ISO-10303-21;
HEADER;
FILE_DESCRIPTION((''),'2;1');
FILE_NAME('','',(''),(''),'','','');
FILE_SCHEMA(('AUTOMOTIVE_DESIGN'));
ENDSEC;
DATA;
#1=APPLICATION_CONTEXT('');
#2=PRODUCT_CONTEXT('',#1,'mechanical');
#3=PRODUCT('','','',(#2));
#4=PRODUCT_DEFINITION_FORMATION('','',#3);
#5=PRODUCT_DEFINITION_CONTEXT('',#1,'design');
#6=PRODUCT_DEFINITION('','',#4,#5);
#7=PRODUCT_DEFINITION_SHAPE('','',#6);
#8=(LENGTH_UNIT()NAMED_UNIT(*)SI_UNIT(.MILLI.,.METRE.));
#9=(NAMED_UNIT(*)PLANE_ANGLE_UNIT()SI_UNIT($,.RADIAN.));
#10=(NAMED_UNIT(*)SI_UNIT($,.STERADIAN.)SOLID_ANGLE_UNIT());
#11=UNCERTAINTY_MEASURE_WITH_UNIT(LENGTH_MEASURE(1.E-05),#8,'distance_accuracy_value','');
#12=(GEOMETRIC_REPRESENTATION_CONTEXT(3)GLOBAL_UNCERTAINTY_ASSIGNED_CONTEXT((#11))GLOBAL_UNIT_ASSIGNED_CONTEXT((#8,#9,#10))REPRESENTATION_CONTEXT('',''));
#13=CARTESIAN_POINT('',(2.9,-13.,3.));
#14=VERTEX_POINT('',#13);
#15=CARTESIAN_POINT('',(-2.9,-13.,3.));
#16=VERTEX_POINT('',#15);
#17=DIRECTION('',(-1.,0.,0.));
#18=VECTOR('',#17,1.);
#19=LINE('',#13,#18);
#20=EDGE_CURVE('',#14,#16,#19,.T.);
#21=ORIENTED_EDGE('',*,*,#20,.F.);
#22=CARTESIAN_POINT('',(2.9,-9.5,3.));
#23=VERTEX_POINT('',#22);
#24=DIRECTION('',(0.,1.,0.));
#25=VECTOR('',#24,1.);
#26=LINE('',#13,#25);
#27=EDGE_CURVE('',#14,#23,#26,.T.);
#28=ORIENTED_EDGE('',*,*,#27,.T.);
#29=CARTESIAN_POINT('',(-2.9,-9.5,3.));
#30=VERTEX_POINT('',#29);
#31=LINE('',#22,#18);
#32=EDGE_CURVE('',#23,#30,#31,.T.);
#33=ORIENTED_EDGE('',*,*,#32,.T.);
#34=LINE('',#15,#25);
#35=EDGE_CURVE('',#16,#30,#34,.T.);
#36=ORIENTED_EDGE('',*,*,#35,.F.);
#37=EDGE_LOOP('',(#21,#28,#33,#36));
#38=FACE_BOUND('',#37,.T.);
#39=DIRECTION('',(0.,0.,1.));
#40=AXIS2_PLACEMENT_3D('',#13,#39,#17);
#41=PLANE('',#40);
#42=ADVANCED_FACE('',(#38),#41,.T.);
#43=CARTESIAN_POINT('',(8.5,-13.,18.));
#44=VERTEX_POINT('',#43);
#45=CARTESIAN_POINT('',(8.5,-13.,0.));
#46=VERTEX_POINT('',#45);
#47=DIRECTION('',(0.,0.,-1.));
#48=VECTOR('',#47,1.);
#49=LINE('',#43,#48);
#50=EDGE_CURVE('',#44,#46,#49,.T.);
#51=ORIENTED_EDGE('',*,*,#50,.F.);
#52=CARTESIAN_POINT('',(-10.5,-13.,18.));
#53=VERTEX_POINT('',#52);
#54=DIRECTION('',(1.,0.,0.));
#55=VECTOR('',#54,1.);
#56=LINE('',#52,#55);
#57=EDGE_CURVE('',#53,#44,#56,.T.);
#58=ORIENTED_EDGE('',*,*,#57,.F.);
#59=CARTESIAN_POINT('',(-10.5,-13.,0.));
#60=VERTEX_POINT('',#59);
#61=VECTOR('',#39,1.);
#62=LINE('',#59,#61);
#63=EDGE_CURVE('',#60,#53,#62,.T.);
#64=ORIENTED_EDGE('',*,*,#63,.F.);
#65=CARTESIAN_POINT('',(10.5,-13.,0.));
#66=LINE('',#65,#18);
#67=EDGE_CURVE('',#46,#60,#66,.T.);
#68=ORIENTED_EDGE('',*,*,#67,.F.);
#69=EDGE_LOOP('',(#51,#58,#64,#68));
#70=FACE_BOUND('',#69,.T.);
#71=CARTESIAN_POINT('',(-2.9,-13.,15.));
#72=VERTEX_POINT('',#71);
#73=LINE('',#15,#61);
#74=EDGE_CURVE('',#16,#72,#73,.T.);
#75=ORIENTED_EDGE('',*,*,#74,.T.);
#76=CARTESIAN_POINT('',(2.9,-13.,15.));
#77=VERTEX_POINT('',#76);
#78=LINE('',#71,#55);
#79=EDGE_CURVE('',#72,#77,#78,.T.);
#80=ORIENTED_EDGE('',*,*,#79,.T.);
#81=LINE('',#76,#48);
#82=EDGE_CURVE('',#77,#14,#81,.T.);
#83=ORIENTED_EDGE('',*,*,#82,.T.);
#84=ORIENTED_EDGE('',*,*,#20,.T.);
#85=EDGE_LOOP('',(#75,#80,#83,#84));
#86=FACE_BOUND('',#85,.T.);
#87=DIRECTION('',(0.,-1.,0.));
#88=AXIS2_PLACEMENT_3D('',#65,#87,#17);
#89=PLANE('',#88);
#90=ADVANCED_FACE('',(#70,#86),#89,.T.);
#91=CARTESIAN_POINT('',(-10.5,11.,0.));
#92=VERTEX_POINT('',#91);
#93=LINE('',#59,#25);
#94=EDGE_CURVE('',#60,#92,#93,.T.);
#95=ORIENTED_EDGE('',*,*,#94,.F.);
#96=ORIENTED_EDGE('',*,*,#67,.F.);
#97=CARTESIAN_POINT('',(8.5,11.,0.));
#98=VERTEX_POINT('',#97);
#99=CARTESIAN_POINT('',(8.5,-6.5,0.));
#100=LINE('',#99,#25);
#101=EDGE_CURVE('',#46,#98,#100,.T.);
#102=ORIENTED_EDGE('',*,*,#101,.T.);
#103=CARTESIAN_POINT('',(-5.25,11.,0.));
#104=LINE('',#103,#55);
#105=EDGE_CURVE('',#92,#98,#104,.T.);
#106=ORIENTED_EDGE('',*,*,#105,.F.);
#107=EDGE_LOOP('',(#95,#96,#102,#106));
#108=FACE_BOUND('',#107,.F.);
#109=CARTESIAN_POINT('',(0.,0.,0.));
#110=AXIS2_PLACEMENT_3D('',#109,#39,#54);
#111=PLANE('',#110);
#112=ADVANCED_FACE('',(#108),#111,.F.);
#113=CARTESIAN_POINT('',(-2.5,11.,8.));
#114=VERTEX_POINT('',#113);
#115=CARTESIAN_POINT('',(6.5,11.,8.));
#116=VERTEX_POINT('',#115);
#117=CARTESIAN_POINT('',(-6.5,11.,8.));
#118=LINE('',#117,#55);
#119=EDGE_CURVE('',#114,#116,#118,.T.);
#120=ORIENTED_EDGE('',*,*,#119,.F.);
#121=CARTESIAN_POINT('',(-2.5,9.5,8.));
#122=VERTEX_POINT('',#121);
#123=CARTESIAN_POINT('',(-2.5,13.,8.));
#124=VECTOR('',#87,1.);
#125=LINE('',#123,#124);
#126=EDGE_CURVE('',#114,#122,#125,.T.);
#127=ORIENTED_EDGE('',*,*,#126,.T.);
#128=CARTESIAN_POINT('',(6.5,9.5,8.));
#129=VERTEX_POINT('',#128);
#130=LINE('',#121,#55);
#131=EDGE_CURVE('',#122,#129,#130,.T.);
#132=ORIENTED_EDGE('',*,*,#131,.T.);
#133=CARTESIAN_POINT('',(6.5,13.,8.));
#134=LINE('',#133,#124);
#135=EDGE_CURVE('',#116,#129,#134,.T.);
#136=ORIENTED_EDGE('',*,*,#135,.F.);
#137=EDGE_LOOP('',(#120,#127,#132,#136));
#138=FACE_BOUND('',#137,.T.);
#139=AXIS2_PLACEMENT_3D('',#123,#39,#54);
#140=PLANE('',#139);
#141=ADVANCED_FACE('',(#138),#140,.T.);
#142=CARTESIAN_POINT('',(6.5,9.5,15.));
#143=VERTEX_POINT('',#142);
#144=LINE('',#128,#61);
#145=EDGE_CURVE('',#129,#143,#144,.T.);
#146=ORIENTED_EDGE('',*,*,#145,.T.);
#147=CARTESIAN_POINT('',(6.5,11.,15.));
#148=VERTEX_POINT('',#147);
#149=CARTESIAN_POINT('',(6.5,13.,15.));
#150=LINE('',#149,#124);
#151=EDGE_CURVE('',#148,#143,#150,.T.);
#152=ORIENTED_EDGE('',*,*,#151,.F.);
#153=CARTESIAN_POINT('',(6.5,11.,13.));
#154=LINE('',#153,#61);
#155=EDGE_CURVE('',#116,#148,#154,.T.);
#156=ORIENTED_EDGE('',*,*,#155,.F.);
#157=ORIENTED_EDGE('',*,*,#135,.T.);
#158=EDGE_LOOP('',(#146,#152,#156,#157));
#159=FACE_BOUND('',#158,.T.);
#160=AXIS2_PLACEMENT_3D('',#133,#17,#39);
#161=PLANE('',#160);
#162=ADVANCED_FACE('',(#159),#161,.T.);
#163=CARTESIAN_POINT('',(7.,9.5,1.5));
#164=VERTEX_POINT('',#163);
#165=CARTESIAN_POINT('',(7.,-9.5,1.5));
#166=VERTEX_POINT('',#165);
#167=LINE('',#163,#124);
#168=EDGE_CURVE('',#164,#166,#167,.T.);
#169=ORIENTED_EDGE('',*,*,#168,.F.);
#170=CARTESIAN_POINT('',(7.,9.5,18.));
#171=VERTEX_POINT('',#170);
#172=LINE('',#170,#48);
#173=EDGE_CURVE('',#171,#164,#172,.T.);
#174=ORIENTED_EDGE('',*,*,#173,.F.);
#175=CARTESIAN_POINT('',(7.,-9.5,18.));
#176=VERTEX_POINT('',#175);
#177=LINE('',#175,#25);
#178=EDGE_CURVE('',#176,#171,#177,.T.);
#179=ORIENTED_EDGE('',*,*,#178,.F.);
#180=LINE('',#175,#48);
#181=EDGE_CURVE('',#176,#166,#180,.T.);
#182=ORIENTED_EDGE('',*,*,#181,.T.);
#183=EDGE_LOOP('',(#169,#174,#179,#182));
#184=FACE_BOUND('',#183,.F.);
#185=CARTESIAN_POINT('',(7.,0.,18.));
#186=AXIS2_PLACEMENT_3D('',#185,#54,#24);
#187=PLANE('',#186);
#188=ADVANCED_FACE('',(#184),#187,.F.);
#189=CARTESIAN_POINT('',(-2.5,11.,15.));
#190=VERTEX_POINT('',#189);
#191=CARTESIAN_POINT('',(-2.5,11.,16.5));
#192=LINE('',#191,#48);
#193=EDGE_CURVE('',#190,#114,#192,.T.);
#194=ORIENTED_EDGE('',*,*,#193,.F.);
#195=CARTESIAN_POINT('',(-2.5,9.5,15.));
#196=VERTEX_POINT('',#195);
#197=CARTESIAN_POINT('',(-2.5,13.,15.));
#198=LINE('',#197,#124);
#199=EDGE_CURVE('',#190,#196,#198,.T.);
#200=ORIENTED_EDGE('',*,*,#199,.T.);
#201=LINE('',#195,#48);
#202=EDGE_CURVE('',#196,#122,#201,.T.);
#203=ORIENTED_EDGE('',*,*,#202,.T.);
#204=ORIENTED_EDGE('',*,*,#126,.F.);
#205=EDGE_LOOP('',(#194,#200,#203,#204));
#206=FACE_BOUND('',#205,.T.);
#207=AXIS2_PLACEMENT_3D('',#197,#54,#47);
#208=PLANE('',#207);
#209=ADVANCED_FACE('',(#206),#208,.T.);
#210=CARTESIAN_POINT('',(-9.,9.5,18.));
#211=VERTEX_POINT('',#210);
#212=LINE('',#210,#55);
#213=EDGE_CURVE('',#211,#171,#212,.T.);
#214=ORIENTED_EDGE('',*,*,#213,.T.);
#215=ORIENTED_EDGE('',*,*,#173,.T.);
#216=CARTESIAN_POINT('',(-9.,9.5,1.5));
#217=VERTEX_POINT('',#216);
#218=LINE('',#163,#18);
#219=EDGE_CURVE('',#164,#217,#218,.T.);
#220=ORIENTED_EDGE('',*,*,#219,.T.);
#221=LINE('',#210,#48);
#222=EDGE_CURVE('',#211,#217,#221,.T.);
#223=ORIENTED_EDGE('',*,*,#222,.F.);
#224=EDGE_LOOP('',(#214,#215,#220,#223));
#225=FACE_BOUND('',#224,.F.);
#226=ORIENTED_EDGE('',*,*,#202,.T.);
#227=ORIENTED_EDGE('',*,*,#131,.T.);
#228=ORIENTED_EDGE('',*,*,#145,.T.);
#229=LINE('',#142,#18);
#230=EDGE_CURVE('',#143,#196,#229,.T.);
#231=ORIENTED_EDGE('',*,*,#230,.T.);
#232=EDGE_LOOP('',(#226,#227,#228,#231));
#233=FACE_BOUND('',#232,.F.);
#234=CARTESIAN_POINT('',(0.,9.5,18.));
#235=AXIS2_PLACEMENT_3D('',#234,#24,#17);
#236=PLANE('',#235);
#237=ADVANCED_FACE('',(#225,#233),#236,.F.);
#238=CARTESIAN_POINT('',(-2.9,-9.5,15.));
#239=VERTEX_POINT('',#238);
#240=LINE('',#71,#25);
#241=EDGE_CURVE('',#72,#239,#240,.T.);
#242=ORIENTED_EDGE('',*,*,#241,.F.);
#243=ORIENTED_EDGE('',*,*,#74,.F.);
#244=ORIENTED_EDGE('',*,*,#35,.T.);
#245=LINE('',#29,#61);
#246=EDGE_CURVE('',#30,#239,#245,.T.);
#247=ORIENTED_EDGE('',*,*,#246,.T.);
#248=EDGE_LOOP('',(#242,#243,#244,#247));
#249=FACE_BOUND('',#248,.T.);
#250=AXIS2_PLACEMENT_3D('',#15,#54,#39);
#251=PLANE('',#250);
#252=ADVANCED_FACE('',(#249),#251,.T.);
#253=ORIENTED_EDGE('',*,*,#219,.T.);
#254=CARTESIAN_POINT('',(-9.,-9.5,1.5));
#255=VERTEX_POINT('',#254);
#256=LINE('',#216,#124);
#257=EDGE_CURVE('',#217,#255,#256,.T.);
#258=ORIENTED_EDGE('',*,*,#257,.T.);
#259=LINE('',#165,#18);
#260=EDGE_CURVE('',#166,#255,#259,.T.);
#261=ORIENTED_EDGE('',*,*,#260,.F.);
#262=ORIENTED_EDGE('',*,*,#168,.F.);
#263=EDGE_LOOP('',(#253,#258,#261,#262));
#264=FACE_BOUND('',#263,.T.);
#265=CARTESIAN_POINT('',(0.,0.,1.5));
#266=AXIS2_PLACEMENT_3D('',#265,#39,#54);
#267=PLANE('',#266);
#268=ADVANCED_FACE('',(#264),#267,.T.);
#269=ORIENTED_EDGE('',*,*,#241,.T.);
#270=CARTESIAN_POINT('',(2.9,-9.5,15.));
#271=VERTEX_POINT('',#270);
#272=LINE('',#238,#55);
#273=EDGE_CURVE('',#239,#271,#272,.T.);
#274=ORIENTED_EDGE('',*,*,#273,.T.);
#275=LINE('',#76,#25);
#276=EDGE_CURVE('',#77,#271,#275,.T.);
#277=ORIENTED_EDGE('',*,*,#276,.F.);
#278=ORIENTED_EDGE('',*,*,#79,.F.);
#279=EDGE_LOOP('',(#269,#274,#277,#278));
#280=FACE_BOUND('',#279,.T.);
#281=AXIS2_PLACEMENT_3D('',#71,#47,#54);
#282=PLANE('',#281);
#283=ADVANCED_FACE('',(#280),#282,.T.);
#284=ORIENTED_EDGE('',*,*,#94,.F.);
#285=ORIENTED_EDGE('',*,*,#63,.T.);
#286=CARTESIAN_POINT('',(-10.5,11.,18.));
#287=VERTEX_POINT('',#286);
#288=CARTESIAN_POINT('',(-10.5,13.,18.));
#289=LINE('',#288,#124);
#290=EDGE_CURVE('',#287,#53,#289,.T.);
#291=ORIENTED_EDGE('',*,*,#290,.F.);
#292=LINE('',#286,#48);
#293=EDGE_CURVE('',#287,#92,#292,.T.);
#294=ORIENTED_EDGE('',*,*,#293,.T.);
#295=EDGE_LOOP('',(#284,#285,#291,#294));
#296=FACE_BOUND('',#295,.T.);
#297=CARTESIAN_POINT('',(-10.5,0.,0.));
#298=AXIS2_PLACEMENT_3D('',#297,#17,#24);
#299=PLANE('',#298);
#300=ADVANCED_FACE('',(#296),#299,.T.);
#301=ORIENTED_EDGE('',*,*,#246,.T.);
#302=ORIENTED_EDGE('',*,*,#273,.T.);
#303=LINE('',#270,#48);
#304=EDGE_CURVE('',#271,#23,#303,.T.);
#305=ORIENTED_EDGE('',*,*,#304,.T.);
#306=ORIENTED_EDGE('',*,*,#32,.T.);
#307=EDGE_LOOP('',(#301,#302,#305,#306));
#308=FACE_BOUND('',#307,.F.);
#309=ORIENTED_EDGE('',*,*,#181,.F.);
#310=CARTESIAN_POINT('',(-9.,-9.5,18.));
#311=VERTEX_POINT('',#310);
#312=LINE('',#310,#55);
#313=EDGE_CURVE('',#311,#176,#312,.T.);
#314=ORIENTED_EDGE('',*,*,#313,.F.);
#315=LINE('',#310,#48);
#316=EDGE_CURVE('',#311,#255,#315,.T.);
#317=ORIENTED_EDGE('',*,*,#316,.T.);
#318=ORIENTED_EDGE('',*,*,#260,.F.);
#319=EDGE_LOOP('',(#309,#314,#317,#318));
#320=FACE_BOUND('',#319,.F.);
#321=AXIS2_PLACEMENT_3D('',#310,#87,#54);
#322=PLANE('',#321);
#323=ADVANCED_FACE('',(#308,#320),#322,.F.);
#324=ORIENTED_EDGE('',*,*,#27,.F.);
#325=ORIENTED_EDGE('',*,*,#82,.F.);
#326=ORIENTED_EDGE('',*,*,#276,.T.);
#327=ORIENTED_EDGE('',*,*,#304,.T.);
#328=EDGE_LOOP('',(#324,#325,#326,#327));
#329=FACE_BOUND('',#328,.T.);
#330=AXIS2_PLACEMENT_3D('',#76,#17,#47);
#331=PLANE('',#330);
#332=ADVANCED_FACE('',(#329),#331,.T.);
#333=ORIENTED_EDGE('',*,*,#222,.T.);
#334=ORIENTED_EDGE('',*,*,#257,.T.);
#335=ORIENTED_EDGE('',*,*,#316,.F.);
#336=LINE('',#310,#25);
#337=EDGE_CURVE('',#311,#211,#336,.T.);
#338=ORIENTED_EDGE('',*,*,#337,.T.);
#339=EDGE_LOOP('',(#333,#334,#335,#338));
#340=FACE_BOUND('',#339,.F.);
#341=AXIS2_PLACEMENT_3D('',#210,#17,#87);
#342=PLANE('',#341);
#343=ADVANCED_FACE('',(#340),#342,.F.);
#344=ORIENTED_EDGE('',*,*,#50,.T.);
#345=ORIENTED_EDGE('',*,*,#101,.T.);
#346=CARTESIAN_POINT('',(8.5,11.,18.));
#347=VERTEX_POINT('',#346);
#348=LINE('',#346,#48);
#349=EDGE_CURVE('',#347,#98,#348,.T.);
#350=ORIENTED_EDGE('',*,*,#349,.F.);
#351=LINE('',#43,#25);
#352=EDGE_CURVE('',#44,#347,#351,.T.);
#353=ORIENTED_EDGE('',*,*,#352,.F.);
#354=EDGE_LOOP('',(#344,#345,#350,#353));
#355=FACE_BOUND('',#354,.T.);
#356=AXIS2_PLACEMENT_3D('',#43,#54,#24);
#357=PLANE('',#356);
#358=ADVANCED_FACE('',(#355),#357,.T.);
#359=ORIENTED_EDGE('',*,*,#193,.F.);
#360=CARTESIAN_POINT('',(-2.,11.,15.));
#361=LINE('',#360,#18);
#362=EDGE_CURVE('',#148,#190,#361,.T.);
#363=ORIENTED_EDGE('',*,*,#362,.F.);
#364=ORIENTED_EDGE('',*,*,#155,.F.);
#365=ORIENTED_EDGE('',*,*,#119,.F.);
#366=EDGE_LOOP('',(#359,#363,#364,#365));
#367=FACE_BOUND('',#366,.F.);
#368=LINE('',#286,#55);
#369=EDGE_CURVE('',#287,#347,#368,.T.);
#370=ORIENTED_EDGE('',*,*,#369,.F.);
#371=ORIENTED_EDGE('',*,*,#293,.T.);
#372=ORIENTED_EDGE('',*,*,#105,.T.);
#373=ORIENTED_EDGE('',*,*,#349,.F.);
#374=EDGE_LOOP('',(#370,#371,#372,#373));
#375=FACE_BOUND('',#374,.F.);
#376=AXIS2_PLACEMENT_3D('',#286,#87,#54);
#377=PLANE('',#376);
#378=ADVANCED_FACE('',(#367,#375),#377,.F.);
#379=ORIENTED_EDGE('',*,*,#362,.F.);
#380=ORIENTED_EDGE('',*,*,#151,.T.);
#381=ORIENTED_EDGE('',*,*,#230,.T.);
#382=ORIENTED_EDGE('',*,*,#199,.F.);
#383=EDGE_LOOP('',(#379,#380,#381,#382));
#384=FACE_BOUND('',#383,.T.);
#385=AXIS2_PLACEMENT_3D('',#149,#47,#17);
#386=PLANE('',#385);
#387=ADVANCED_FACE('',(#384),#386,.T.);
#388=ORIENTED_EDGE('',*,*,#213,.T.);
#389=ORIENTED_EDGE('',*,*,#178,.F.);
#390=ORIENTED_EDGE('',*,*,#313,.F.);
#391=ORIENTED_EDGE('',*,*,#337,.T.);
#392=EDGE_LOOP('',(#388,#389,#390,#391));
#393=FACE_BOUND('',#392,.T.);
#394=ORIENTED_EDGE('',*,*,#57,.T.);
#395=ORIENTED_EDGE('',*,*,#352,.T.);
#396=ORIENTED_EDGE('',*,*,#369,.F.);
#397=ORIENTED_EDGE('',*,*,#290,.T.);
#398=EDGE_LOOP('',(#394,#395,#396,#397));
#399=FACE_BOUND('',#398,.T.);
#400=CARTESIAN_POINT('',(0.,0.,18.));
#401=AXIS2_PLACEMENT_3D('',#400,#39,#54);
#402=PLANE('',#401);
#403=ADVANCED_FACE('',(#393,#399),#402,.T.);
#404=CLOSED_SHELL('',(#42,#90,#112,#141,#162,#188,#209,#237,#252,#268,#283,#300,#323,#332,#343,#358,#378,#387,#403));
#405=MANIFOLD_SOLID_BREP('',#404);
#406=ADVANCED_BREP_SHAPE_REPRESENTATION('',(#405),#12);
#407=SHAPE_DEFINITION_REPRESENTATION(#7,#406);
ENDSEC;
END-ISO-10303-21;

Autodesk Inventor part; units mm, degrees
ref_plane "YZ Plane" through (0, 0, 0) normal (1, 0, 0) x (0, 1, 0)
ref_plane "XZ Plane" through (0, 0, 0) normal (0, 1, 0) x (-1, 0, 0)
ref_plane "XY Plane" through (0, 0, 0) normal (0, 0, 1) x (1, 0, 0)
sketch "Náčrt1" plane through (0, 0, 0) normal (0, 0, 1) x (1, 0, 0)
  line L0 (0, 18.2) -> (0, -18.2) projected
  line L1 (-14.7, 0) -> (14.7, 0) projected
  line L2 (-10.5, 13) -> (10.5, 13)
  line L3 (10.5, 13) -> (10.5, -13)
  line L4 (10.5, -13) -> (-10.5, -13)
  line L5 (-10.5, -13) -> (-10.5, 13)
  line L6 (-10.5, 13) -> (10.5, -13) construction
  line L7 (10.5, 13) -> (-10.5, -13) construction
  point P0 (0, 0)
  dimension "d0" = 21
  dimension "d1" = 26
extrude "Vysunutí1" add sketch "Náčrt1" along normal blind 18
sketch "Náčrt4" plane through (0, 0, 18) normal (0, 0, 1) x (1, 0, 0)
  line L0 (-14.7, 0) -> (14.7, 0) projected
  line L1 (0, 18.2) -> (0, -18.2) projected
  line L2 (-10.5, -13) -> (10.5, -13) projected
  line L3 (10.5, -13) -> (10.5, 13) projected
  line L4 (10.5, 13) -> (-10.5, 13) projected
  line L5 (-10.5, 13) -> (-10.5, -13) projected
  line L6 (-9, -9.5) -> (7, -9.5)
  line L7 (7, -9.5) -> (7, 9.5)
  line L8 (7, 9.5) -> (-9, 9.5)
  line L9 (-9, 9.5) -> (-9, -9.5)
  point P0 (0, 0)
  dimension "d9" = 3.5
  dimension "d34" = 16
  dimension "d35" = 1.5
  dimension "d36" = 19
extrude "Vysunutí2" cut sketch "Náčrt4" against normal blind 16.5 contours L9 L8 L1 L0 | L0 L1 L6 L9 | L1 L8 L7 L0 | L0 L7 L6 L1
sketch "Náčrt5" plane through (-10.5, 13, 0) normal (0, 1, 0) x (1, 0, 0)
  line L0 (21, 0) -> (0, 0) projected
  line L1 (0, 0) -> (0, -18) projected
  line L2 (21, -18) -> (0, -18) projected
  line L3 (21, 0) -> (21, -18) projected
  line L4 (17, -15) -> (8, -15)
  line L5 (8, -15) -> (8, -8)
  line L6 (8, -8) -> (17, -8)
  line L7 (17, -8) -> (17, -15)
  line L8 (17, -15) -> (8, -8) construction
  line L9 (8, -15) -> (17, -8) construction
  point P0 (10.5, 0)
  point P1 (12.5, -11.5)
  dimension "d12" = 9
  dimension "d13" = 7
  dimension "d14" = 3
  dimension "d15" = 8
extrude "Vysunutí3" cut sketch "Náčrt5" against normal up to surface (3.5 mm away) contours L4 L5 L6 L7
sketch "Náčrt6" plane through (-10.5, -13, 0) normal (0, -1, 0) x (1, 0, 0)
  line L0 (0, 0) -> (21, 0) projected
  line L1 (21, 0) -> (21, 18) projected
  line L2 (0, 18) -> (21, 18) projected
  line L3 (0, 0) -> (0, 18) projected
  line L4 (7.6, 15) -> (13.4, 15)
  line L5 (13.4, 15) -> (13.4, 3)
  line L6 (13.4, 3) -> (7.6, 3)
  line L7 (7.6, 3) -> (7.6, 15)
  line L8 (7.6, 15) -> (13.4, 3) construction
  line L9 (13.4, 15) -> (7.6, 3) construction
  point P0 (10.5, 0)
  point P1 (10.5, 9)
  dimension "d18" = 5.8
  dimension "d19" = 12
  dimension "d20" = 10.5
  dimension "d21" = 9
extrude "Vysunutí4" cut sketch "Náčrt6" against normal up to surface (3.5 mm away) contours L4 L5 L6 L7
sketch "Náčrt8" plane through (0, 0, 18) normal (0, 0, 1) x (1, 0, 0)
  line L0 (7, 9.5) -> (7, -9.5) projected
  line L1 (7, -9.5) -> (-9, -9.5) projected
  line L2 (-9, -9.5) -> (-9, 9.5) projected
  line L3 (-9, 9.5) -> (7, 9.5) projected
  line L4 (-10.5, -13) -> (10.5, -13) projected
  line L5 (10.5, -13) -> (10.5, 13) projected
  line L6 (10.5, 13) -> (-10.5, 13) projected
  line L7 (-10.5, 13) -> (-10.5, -13) projected
  line L8 (-10.5, 11) -> (8.5, 11)
  line L9 (8.5, -13) -> (8.5, 11)
  point P0 (0, 0)
  dimension "d37" = 1.5
  dimension "d38" = 1.5
extrude "Vysunutí6" cut sketch "Náčrt8" against normal through all contours L9 L8 L7 L6 L5 L4
properties part number "senzor_obal_3D tisk"
